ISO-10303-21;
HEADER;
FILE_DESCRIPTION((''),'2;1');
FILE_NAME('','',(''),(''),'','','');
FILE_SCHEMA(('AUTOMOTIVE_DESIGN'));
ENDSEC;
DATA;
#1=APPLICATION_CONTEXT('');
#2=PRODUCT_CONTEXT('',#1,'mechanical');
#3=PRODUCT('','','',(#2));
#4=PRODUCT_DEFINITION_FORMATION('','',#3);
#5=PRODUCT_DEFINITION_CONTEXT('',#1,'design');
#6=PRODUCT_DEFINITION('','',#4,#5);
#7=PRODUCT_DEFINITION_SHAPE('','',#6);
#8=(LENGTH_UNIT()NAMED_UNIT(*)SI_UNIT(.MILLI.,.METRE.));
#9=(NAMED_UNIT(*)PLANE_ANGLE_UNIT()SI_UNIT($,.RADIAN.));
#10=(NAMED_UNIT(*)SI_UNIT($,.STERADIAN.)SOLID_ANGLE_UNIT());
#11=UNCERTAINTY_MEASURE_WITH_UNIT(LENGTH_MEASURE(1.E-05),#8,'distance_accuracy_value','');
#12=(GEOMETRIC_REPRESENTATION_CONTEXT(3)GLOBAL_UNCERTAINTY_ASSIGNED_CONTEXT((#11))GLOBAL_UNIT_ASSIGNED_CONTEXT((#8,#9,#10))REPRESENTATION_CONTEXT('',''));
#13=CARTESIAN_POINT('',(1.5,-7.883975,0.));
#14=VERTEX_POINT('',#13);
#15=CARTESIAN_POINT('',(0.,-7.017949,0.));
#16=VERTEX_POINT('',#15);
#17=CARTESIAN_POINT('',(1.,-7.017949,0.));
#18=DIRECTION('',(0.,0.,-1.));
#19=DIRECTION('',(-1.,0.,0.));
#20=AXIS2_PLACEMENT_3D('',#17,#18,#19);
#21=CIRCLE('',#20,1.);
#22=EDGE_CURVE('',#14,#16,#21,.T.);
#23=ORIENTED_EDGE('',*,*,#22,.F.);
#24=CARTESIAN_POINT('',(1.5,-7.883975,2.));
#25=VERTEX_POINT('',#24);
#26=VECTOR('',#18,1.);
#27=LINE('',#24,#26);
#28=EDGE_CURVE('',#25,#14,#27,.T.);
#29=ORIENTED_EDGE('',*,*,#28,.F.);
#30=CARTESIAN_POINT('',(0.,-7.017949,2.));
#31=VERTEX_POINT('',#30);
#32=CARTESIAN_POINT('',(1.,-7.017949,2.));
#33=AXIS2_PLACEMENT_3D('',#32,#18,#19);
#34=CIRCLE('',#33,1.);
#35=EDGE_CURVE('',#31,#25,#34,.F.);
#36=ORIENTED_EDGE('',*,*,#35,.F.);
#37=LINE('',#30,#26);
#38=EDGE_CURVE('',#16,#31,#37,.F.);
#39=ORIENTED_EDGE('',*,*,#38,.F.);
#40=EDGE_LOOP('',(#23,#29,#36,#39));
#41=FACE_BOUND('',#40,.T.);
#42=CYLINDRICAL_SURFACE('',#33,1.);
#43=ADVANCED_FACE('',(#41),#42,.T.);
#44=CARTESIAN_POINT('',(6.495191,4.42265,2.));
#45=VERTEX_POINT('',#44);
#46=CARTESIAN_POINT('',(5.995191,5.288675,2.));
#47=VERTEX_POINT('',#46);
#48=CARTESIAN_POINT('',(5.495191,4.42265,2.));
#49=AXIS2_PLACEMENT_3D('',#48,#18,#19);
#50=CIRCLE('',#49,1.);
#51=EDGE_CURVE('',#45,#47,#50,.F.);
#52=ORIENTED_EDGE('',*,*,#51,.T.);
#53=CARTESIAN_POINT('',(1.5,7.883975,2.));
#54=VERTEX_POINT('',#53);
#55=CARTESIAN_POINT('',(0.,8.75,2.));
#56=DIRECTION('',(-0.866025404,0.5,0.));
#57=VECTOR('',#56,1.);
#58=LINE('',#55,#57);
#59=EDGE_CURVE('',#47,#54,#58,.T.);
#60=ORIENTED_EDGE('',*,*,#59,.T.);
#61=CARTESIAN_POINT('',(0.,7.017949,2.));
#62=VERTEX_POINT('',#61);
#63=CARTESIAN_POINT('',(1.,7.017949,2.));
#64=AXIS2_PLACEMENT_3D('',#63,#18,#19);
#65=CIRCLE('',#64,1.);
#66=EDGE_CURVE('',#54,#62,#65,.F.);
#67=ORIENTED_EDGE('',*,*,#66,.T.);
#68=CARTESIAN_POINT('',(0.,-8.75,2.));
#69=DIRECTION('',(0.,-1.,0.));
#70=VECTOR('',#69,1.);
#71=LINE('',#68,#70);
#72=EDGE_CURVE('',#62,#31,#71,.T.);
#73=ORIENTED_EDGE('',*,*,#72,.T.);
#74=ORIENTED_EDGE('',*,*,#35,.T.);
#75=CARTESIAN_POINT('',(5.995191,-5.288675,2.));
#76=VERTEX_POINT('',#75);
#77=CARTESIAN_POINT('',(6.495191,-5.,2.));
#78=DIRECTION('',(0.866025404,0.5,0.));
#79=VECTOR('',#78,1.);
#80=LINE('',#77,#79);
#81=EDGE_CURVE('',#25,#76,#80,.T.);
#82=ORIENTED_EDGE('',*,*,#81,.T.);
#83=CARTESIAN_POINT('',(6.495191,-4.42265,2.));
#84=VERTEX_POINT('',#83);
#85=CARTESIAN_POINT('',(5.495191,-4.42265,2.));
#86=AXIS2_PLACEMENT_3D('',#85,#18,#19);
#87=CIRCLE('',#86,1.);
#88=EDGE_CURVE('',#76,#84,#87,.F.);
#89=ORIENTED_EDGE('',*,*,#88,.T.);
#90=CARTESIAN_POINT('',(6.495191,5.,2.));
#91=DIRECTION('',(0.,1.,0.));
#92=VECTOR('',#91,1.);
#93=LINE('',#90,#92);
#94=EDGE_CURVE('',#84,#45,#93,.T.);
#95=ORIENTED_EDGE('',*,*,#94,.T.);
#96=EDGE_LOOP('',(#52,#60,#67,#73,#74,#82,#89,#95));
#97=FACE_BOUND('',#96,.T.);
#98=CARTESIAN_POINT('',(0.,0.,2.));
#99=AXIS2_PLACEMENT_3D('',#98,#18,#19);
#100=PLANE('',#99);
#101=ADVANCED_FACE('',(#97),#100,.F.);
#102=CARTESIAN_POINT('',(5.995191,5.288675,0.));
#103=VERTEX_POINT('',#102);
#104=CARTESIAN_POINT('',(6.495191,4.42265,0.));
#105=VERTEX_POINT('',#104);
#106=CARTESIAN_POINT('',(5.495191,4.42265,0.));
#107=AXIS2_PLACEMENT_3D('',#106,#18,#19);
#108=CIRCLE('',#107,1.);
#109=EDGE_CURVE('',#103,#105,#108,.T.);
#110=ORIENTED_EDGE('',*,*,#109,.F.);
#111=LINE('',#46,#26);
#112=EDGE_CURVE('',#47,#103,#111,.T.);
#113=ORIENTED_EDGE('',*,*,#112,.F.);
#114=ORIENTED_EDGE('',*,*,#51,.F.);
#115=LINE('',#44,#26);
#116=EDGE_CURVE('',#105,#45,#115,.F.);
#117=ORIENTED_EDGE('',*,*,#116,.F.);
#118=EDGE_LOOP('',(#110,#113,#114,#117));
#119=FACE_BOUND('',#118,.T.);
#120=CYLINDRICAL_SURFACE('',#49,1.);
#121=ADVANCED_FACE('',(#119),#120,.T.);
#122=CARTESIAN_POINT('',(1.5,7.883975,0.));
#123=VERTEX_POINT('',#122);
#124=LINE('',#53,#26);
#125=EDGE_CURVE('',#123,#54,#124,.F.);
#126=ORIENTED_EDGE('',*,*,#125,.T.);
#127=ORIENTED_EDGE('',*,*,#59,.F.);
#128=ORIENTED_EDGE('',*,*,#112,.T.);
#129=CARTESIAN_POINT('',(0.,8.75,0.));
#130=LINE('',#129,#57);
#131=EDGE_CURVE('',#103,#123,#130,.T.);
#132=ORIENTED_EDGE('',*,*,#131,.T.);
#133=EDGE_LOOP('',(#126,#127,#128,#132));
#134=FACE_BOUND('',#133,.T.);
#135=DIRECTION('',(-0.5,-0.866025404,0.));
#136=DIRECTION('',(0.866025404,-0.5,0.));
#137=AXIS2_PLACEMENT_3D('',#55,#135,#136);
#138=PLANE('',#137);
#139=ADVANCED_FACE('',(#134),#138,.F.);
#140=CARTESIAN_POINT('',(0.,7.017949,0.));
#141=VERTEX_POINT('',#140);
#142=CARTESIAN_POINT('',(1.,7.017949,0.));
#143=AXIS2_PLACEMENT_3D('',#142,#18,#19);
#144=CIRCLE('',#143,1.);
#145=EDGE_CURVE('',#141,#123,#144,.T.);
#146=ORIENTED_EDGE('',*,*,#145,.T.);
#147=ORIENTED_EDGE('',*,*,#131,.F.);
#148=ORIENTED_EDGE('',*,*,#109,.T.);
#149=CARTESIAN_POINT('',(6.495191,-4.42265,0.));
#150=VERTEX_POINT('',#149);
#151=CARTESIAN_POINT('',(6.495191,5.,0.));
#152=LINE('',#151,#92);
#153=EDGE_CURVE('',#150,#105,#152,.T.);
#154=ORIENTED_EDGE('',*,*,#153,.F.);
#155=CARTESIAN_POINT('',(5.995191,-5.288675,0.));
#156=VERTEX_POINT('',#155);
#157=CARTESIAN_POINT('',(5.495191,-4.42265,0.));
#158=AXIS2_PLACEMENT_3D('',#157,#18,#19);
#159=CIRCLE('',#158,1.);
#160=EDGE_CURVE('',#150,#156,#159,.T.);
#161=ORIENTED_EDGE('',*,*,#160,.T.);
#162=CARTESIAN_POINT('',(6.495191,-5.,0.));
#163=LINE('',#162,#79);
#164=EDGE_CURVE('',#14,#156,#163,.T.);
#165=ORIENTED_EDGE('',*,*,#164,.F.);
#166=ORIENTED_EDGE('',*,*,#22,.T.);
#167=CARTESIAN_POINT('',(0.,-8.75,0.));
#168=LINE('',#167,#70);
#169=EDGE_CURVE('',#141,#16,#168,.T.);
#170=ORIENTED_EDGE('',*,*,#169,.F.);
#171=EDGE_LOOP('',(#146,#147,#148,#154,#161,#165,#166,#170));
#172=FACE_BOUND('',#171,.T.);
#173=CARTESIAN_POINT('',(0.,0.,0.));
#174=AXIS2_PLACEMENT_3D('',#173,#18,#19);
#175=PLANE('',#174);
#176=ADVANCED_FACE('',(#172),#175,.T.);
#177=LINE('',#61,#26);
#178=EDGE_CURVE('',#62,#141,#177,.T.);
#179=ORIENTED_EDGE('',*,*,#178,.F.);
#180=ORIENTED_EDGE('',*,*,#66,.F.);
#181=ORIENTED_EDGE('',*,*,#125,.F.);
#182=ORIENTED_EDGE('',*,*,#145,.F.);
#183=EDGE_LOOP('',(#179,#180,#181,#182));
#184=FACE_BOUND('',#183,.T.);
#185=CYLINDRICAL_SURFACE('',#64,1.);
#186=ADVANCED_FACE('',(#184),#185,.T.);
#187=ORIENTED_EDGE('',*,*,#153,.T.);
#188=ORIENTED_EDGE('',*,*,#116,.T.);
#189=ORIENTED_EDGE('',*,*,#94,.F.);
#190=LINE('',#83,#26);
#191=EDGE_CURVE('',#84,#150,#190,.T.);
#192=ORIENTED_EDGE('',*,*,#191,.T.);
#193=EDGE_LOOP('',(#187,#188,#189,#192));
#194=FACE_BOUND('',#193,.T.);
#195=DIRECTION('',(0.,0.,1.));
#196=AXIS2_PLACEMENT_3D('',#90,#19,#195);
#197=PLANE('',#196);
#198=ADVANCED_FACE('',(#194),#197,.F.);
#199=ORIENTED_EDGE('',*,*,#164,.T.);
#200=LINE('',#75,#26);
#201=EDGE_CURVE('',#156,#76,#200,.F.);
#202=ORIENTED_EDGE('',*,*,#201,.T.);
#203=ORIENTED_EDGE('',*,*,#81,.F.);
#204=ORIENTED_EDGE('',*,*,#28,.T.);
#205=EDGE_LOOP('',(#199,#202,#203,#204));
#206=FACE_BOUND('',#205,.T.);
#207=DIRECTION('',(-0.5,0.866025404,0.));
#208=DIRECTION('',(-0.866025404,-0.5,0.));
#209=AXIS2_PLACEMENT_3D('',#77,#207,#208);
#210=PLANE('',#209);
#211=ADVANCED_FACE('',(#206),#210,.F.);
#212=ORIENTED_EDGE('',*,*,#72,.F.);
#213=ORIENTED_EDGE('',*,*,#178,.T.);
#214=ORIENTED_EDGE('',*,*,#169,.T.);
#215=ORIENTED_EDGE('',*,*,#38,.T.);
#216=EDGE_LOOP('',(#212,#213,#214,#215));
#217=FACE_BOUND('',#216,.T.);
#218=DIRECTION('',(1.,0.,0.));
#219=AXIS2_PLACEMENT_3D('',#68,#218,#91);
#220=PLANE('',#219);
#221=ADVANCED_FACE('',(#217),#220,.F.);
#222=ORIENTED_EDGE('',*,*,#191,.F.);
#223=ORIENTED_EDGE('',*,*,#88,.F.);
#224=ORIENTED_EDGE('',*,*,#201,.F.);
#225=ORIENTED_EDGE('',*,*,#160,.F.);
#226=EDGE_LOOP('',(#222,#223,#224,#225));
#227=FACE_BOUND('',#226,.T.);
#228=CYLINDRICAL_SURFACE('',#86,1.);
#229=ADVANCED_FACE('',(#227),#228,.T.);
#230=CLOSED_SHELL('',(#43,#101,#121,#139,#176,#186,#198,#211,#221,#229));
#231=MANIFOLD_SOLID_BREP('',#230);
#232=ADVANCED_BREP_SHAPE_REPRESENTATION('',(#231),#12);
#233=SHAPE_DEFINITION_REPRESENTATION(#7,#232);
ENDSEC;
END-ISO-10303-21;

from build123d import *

# Parameters (mm, degrees)
Y_KSEKLIK_EKSTR_ZYON1_DEPTH = 2
RADYUS1_R                   = 1


with BuildPart() as part:
    # Çizim1 → Yükseklik-Ekstrüzyon1 (new body)
    with BuildSketch(Plane.XY):
        Polygon((0, -8.75), (0, 8.75), (6.495190528, 5), (6.495190528, -5), align=None)
    extrude(amount=Y_KSEKLIK_EKSTR_ZYON1_DEPTH)

    # Radyus1
    radyus1_edges = [part.edges().sort_by_distance(p)[0] for p in [
        (0, -8.75, 1),
        (0, 8.75, 1),
        (6.495190528, 5, 1),
        (6.495190528, -5, 1),
    ]]
    fillet(radyus1_edges, radius=RADYUS1_R)


solid = part.part
